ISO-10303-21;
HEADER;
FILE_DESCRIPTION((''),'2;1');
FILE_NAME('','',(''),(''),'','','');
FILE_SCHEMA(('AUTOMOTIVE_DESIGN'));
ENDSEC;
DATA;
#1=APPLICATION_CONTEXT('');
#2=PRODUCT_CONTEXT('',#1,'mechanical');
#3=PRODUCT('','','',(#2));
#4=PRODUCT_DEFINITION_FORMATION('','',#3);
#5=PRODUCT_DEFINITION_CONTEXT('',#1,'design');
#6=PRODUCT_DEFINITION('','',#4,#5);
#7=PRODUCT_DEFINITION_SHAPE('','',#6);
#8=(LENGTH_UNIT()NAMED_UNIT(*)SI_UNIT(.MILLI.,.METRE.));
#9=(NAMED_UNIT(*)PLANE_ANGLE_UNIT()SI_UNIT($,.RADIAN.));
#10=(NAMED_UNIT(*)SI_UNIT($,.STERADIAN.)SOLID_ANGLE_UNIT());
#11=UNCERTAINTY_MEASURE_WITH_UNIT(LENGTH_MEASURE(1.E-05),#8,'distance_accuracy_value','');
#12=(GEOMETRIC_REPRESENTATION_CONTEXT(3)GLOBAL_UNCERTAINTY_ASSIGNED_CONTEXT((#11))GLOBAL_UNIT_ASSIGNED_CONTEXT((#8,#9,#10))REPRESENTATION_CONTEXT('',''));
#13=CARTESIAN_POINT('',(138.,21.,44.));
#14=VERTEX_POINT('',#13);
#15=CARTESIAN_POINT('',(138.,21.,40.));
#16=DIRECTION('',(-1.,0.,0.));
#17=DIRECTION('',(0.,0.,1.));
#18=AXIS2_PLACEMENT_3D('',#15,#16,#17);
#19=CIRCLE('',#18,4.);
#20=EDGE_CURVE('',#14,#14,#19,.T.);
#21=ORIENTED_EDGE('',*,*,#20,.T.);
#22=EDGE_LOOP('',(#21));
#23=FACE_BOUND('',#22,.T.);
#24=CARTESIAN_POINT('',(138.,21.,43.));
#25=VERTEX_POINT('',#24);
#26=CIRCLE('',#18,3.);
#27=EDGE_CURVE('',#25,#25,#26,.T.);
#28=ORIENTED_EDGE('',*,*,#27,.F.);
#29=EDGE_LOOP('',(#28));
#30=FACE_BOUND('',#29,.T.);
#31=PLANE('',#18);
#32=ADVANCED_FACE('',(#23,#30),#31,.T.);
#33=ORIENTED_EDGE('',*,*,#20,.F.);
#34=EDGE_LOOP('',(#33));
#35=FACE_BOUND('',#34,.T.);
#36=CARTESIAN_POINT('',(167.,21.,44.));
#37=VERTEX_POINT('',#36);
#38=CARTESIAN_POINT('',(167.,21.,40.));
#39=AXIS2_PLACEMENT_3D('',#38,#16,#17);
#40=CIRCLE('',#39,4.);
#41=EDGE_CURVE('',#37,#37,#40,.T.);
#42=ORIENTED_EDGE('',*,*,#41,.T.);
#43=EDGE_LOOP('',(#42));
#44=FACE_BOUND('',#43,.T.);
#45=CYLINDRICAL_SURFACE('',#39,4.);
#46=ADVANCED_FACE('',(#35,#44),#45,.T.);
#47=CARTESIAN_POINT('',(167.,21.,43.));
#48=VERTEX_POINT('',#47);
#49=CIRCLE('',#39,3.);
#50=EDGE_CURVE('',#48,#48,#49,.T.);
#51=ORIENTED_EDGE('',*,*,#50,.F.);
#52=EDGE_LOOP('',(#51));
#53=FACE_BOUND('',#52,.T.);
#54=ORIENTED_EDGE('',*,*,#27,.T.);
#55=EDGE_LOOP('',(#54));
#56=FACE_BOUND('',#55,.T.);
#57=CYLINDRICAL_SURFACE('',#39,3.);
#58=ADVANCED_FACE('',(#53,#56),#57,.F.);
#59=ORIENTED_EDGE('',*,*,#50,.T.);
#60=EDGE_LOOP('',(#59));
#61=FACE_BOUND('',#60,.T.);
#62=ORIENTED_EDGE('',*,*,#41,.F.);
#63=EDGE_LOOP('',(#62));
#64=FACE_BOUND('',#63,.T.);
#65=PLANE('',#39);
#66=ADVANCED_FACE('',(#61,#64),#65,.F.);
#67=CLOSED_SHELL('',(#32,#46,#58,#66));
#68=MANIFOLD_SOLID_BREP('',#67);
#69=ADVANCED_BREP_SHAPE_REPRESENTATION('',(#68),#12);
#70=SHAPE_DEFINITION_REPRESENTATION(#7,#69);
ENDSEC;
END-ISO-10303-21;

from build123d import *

# Parameters (mm, degrees)
TUBE_PROFILE_R   = 4
TUBE_PROFILE_R_2 = 3


with BuildPart() as part:
    # Tube: sweep along a curve in space
    with BuildLine() as tube_path:
        Line((167, 21, 40), (138, 21, 40))
    # Tube profile (on start of the path) → Tube (sweep)
    with BuildSketch(Plane(origin=(167, 21, 40), x_dir=(0, 0, -1), z_dir=(-1, 0, 0))):
        Circle(TUBE_PROFILE_R)
        Circle(TUBE_PROFILE_R_2, mode=Mode.SUBTRACT)
    sweep(path=tube_path.line)


solid = part.part
